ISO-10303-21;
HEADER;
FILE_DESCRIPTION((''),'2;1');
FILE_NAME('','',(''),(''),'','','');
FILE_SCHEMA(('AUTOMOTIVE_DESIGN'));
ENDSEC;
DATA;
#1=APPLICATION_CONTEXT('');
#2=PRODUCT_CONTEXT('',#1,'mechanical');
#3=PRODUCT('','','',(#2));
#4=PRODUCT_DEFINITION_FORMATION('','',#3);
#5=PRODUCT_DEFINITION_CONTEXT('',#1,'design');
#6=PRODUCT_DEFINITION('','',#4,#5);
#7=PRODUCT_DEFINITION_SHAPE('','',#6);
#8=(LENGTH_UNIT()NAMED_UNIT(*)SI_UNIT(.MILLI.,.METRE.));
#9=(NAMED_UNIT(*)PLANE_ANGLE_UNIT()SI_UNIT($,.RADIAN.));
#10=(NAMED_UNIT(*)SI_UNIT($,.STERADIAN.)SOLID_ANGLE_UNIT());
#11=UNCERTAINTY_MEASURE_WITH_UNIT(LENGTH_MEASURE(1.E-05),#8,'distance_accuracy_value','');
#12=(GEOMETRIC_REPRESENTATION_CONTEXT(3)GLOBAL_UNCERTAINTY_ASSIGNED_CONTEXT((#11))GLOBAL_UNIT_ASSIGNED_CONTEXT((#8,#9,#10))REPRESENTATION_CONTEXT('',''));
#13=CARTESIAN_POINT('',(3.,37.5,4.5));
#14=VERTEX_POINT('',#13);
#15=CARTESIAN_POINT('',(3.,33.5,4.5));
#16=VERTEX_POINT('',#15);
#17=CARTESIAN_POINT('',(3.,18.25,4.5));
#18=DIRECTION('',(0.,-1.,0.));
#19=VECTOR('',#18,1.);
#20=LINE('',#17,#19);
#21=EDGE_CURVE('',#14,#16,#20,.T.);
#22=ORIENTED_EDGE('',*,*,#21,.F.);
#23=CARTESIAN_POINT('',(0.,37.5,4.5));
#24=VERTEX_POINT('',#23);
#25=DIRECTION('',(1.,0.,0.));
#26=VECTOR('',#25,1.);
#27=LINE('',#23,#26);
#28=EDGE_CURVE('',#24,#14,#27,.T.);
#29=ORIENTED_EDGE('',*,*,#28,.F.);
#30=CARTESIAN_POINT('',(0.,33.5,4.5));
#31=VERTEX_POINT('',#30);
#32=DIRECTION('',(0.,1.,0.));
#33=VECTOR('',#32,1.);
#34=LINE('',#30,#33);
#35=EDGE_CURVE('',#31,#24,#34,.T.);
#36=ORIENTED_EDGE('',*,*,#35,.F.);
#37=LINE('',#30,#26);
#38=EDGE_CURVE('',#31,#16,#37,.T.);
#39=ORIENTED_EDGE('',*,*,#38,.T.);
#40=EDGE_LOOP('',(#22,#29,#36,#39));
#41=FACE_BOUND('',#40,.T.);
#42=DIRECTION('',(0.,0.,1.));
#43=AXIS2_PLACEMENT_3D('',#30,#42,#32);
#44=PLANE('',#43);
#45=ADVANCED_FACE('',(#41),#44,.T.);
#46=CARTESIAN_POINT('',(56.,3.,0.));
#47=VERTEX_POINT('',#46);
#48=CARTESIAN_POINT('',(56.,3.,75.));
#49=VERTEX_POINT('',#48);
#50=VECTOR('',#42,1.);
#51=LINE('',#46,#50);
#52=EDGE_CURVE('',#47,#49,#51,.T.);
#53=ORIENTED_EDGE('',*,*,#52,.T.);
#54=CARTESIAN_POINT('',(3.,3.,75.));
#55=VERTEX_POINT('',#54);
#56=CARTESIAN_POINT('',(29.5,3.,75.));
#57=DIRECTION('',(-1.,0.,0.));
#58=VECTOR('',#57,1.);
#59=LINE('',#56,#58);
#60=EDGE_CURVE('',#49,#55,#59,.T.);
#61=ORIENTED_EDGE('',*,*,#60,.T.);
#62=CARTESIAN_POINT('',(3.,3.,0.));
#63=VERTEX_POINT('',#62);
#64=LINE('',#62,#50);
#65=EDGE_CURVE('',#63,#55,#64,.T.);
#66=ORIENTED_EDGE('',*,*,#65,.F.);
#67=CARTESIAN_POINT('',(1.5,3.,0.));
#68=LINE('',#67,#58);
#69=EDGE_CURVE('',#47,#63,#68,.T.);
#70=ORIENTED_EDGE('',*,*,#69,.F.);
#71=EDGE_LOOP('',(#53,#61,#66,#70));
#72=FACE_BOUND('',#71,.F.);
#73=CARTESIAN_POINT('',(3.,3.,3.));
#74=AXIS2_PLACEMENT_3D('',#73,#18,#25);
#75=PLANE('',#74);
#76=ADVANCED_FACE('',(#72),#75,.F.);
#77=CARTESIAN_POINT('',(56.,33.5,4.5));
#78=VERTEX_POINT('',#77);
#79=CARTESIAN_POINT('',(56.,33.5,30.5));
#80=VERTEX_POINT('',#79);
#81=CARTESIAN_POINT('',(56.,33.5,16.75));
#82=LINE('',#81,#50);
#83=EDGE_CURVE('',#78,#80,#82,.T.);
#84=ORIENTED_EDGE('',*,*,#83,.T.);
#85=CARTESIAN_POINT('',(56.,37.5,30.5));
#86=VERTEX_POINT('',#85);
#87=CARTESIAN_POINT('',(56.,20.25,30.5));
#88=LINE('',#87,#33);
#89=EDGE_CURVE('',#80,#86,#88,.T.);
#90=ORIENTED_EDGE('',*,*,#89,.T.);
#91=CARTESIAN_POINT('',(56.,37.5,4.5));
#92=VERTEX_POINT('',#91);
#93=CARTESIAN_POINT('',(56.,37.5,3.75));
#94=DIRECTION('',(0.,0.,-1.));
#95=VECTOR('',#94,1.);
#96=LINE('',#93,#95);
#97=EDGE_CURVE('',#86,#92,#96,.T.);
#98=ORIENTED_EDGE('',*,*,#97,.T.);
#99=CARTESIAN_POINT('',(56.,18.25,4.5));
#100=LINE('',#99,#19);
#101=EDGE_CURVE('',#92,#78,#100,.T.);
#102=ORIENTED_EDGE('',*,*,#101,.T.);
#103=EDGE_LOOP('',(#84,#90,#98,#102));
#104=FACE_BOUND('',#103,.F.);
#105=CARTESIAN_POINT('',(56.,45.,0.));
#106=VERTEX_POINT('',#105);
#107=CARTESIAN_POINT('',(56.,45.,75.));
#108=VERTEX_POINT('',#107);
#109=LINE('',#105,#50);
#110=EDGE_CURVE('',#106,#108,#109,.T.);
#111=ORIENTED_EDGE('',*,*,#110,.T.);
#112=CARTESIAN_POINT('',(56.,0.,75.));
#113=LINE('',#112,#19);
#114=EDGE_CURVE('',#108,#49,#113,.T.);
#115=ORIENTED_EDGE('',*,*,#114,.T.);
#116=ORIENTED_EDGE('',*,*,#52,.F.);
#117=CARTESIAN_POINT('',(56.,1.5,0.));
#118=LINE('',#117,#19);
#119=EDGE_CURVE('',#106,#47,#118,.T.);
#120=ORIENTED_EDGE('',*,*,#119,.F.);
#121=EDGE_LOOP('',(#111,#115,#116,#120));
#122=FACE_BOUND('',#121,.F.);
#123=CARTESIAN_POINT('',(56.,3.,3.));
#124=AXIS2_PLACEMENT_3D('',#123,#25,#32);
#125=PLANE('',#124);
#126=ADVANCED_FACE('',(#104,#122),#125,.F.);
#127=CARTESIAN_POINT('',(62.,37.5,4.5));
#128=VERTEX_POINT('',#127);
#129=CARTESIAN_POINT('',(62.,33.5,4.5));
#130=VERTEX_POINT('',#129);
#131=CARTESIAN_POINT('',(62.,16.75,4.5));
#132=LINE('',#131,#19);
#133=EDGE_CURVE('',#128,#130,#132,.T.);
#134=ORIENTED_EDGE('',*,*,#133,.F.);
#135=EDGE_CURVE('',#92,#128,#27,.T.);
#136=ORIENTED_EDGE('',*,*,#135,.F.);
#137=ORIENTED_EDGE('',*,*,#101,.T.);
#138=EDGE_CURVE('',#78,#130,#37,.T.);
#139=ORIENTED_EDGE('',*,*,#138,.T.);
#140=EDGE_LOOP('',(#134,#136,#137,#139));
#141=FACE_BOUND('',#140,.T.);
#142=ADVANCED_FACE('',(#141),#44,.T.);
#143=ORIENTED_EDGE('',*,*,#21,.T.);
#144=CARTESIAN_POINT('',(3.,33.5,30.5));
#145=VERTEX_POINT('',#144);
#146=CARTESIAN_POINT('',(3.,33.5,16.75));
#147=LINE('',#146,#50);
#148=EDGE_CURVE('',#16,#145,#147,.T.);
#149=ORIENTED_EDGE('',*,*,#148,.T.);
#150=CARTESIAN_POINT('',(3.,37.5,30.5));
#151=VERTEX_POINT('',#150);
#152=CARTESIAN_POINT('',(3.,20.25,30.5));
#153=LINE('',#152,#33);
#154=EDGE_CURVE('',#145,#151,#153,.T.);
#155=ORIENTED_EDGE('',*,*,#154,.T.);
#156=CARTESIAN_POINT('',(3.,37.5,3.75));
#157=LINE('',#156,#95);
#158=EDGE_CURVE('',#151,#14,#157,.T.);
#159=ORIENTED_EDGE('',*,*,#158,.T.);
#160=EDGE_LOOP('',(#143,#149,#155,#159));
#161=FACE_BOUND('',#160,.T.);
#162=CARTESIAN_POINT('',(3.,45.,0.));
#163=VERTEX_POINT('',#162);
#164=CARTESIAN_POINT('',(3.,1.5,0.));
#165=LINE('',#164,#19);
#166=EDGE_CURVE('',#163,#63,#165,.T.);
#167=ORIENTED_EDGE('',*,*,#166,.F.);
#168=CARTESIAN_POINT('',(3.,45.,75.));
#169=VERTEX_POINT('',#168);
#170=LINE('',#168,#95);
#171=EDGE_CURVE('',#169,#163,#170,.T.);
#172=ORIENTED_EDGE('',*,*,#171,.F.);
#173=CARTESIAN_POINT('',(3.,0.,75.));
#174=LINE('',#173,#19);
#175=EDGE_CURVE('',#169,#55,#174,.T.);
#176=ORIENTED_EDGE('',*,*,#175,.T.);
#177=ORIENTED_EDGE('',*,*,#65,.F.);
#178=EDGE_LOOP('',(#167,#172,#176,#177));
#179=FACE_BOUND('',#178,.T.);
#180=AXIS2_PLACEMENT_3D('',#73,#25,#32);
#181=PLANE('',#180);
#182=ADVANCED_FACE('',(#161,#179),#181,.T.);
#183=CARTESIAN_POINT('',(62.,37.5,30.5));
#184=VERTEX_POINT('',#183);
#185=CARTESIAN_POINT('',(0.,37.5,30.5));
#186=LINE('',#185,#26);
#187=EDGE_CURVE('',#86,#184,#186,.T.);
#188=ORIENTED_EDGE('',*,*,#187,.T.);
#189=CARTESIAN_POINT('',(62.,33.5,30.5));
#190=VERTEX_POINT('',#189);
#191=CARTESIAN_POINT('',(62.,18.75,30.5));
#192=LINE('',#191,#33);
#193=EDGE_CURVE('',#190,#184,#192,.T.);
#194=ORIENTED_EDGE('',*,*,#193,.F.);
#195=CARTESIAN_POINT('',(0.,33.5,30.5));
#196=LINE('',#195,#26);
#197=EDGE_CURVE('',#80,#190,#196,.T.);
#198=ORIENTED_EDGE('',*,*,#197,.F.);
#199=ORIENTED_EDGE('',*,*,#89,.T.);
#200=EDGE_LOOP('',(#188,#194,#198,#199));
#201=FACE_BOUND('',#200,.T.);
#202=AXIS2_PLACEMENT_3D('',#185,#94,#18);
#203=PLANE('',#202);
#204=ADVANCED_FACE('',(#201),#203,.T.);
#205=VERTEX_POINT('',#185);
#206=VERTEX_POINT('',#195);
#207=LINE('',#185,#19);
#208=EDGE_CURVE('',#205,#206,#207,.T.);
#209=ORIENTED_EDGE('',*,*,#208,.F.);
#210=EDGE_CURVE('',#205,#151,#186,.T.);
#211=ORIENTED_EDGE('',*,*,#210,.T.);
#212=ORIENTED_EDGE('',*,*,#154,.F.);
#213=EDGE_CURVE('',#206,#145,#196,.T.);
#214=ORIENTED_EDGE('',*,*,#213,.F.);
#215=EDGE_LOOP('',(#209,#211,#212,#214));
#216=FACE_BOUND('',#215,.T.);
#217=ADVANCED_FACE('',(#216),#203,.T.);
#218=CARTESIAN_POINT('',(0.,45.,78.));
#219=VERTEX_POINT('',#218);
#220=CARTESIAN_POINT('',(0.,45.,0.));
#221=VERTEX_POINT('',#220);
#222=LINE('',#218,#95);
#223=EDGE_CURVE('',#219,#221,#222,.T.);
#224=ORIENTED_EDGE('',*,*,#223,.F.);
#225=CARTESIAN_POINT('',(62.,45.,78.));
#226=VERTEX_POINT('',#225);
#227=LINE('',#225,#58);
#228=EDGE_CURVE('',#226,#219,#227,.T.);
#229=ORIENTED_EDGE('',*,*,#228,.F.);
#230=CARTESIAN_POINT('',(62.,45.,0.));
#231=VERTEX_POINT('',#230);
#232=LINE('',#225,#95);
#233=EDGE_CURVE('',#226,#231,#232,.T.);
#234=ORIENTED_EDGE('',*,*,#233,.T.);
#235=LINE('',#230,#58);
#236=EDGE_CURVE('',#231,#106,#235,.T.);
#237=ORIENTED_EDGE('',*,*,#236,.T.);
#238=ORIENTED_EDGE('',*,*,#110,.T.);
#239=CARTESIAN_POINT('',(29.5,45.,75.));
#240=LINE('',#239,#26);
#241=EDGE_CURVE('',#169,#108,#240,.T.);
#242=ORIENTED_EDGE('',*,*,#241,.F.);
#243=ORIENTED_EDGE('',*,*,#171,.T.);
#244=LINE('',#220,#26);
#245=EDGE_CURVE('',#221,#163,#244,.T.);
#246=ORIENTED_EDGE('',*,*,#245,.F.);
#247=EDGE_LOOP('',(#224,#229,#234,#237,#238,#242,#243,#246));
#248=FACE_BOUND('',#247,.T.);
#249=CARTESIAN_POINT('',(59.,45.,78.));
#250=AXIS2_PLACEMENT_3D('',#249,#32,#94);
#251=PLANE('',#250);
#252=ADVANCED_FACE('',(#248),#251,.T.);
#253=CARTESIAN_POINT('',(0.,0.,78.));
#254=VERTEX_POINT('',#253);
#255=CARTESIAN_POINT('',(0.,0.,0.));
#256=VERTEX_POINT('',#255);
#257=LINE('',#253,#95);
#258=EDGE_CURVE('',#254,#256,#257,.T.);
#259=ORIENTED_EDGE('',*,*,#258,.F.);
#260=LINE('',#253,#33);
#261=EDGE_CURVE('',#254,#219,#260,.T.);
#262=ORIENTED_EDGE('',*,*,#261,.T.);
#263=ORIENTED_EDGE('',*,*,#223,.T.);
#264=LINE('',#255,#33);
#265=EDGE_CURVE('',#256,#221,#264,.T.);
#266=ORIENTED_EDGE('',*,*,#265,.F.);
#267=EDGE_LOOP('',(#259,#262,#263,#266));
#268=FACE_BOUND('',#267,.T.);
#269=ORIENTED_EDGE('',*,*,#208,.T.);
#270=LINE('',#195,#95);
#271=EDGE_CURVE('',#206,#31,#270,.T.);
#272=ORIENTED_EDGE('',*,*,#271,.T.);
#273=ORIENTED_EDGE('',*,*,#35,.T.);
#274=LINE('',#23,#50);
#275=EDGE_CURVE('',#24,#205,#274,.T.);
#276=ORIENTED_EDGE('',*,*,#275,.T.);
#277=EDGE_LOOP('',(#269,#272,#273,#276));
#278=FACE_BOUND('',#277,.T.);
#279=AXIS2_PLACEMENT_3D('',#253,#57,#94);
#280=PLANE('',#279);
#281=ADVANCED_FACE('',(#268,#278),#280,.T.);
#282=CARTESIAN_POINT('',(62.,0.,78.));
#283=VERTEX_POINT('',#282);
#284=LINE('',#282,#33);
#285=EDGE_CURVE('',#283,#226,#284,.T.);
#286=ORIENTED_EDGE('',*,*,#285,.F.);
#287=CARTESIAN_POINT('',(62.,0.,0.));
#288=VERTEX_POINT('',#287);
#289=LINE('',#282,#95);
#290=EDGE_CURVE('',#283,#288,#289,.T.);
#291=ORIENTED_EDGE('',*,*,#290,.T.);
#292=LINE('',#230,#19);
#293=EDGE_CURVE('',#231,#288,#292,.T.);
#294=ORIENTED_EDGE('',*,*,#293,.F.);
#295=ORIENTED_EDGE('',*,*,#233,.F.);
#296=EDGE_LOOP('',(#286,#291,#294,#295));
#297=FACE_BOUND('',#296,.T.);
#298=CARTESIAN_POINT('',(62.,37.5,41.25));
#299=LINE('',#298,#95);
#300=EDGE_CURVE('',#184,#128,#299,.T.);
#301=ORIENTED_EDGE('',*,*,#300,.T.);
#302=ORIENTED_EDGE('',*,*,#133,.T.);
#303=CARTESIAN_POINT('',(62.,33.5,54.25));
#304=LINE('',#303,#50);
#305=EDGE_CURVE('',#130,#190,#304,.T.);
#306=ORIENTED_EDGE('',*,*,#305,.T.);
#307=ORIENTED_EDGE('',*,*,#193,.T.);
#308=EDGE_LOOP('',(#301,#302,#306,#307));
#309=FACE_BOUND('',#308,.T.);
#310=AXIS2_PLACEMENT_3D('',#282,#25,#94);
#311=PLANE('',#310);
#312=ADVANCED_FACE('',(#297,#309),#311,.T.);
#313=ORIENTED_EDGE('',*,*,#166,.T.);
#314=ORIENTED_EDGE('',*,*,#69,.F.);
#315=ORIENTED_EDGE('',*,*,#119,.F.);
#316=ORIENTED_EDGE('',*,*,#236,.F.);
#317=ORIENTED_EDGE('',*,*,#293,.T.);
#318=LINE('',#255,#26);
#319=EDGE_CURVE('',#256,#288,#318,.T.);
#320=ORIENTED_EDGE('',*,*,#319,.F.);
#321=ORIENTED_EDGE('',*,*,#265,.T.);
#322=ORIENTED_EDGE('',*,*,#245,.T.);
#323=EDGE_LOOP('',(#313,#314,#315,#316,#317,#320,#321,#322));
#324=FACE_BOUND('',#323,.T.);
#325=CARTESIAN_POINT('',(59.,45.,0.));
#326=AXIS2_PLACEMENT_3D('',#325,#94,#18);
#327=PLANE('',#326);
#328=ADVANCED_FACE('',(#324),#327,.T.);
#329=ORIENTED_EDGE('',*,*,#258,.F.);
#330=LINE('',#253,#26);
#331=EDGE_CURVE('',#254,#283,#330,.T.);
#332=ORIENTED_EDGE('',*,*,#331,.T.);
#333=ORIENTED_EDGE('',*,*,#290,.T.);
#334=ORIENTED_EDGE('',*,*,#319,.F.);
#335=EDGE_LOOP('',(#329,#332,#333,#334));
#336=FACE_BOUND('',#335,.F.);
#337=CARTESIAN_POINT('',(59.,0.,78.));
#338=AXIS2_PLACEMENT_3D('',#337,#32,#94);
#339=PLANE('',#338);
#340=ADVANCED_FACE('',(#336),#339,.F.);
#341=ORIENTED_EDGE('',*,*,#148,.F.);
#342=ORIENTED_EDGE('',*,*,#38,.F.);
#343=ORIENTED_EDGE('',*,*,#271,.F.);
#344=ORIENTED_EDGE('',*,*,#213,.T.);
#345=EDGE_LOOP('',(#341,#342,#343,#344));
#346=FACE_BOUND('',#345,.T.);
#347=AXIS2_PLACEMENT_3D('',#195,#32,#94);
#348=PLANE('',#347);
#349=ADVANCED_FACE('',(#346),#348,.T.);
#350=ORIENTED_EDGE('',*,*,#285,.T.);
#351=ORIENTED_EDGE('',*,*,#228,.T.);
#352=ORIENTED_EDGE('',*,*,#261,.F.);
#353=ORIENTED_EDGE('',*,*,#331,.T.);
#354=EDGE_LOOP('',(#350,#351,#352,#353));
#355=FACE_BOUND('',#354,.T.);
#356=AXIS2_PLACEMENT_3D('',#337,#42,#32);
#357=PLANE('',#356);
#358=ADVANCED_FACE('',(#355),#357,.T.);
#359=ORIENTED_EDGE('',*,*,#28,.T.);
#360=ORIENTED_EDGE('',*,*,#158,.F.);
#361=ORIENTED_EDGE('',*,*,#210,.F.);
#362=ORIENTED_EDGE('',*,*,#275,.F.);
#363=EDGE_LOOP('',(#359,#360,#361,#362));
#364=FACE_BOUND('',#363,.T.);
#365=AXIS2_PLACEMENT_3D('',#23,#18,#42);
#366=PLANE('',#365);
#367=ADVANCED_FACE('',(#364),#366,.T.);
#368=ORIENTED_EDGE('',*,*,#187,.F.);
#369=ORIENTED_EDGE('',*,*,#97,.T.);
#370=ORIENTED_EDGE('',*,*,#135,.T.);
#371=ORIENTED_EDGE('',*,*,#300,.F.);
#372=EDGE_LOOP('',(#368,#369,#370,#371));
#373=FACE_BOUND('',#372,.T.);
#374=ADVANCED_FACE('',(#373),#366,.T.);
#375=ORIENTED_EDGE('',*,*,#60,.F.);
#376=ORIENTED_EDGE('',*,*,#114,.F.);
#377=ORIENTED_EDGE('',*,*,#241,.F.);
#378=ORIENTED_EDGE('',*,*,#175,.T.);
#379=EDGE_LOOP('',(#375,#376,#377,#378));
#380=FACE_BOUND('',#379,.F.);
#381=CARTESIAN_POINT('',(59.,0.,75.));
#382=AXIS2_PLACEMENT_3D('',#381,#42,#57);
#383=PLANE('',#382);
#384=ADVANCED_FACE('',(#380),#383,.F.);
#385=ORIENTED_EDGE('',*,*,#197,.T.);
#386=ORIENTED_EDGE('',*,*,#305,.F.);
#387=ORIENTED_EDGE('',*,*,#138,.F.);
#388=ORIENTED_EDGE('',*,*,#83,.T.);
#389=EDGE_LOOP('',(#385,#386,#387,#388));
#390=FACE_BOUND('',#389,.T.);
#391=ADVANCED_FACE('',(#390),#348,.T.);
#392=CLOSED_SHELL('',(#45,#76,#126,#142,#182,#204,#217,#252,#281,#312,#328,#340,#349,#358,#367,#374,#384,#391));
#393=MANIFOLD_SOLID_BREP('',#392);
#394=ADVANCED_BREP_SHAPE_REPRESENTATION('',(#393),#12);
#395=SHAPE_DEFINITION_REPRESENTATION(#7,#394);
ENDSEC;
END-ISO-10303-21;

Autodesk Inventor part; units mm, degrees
ref_plane "YZ Plane" through (0, 0, 0) normal (1, 0, 0) x (0, 1, 0)
ref_plane "XZ Plane" through (0, 0, 0) normal (0, 1, 0) x (-1, 0, 0)
ref_plane "XY Plane" through (0, 0, 0) normal (0, 0, 1) x (1, 0, 0)
sketch "Sketch2" plane through (0, 0, 0) normal (0, 1, 0) x (-1, 0, 0)
  line L0 (0, 0) -> (-59, 0)
  line L1 (-59, 0) -> (-59, 78)
  line L2 (-59, 78) -> (0, 78)
  line L3 (0, 78) -> (0, 0)
  dimension "d0" = 59
  dimension "d1" = 78
extrude "Extrusion1" add sketch "Sketch2" along normal blind 45
shell "Shell1" thickness 3 removed faces 1 at (39.3333, 45, 52)
sketch "Sketch4" plane through (59, 0, 0) normal (0, 0, -1) x (-1, 0, 0)
  point P0 (59, 0)
sketch "Sketch5" plane through (3, 3, 3) normal (0, 0, 1) x (1, 0, 0)
  line L0 (0, 0) -> (0, 42) projected
  line L1 (0, 42) -> (53, 42) projected
  line L2 (0, 0) -> (53, 0)
  line L3 (53, 0) -> (53, 42)
  line L4 (53, 42) -> (0, 42)
  line L5 (0, 42) -> (0, 0)
  point P0 (-3, -3)
extrude "Extrusion3" cut sketch "Sketch5" against normal blind 10
sketch "Sketch6" plane through (0, 0, 0) normal (-1, 0, 0) x (0, 0, 1)
  line L0 (4.5, 37.5) -> (30.5, 37.5)
  line L1 (30.5, 37.5) -> (30.5, 33.5)
  line L2 (30.5, 33.5) -> (4.5, 33.5)
  line L3 (4.5, 33.5) -> (4.5, 37.5)
  line L4 (0, 0) -> (0, 45) projected
  line L5 (0, 0) -> (78, 0) projected
  dimension "d19" = 26
  dimension "d20" = 4
  dimension "d21" = 4.5
  dimension "d22" = 33.5
sketch "Sketch7" plane through (59, 0, 78) normal (1, 0, 0) x (0, 0, -1)
  line L0 (0, 0) -> (78, 0) projected
  line L1 (0, 45) -> (78, 45)
  line L2 (78, 45) -> (78, 0)
  line L3 (78, 0) -> (0, 0)
  line L4 (0, 0) -> (0, 45)
extrude "Extrusion5" add sketch "Sketch7" along normal blind 3
extrude "Extrusion6" cut sketch "Sketch6" against normal through all
properties part number "arduino with shield box v04"
